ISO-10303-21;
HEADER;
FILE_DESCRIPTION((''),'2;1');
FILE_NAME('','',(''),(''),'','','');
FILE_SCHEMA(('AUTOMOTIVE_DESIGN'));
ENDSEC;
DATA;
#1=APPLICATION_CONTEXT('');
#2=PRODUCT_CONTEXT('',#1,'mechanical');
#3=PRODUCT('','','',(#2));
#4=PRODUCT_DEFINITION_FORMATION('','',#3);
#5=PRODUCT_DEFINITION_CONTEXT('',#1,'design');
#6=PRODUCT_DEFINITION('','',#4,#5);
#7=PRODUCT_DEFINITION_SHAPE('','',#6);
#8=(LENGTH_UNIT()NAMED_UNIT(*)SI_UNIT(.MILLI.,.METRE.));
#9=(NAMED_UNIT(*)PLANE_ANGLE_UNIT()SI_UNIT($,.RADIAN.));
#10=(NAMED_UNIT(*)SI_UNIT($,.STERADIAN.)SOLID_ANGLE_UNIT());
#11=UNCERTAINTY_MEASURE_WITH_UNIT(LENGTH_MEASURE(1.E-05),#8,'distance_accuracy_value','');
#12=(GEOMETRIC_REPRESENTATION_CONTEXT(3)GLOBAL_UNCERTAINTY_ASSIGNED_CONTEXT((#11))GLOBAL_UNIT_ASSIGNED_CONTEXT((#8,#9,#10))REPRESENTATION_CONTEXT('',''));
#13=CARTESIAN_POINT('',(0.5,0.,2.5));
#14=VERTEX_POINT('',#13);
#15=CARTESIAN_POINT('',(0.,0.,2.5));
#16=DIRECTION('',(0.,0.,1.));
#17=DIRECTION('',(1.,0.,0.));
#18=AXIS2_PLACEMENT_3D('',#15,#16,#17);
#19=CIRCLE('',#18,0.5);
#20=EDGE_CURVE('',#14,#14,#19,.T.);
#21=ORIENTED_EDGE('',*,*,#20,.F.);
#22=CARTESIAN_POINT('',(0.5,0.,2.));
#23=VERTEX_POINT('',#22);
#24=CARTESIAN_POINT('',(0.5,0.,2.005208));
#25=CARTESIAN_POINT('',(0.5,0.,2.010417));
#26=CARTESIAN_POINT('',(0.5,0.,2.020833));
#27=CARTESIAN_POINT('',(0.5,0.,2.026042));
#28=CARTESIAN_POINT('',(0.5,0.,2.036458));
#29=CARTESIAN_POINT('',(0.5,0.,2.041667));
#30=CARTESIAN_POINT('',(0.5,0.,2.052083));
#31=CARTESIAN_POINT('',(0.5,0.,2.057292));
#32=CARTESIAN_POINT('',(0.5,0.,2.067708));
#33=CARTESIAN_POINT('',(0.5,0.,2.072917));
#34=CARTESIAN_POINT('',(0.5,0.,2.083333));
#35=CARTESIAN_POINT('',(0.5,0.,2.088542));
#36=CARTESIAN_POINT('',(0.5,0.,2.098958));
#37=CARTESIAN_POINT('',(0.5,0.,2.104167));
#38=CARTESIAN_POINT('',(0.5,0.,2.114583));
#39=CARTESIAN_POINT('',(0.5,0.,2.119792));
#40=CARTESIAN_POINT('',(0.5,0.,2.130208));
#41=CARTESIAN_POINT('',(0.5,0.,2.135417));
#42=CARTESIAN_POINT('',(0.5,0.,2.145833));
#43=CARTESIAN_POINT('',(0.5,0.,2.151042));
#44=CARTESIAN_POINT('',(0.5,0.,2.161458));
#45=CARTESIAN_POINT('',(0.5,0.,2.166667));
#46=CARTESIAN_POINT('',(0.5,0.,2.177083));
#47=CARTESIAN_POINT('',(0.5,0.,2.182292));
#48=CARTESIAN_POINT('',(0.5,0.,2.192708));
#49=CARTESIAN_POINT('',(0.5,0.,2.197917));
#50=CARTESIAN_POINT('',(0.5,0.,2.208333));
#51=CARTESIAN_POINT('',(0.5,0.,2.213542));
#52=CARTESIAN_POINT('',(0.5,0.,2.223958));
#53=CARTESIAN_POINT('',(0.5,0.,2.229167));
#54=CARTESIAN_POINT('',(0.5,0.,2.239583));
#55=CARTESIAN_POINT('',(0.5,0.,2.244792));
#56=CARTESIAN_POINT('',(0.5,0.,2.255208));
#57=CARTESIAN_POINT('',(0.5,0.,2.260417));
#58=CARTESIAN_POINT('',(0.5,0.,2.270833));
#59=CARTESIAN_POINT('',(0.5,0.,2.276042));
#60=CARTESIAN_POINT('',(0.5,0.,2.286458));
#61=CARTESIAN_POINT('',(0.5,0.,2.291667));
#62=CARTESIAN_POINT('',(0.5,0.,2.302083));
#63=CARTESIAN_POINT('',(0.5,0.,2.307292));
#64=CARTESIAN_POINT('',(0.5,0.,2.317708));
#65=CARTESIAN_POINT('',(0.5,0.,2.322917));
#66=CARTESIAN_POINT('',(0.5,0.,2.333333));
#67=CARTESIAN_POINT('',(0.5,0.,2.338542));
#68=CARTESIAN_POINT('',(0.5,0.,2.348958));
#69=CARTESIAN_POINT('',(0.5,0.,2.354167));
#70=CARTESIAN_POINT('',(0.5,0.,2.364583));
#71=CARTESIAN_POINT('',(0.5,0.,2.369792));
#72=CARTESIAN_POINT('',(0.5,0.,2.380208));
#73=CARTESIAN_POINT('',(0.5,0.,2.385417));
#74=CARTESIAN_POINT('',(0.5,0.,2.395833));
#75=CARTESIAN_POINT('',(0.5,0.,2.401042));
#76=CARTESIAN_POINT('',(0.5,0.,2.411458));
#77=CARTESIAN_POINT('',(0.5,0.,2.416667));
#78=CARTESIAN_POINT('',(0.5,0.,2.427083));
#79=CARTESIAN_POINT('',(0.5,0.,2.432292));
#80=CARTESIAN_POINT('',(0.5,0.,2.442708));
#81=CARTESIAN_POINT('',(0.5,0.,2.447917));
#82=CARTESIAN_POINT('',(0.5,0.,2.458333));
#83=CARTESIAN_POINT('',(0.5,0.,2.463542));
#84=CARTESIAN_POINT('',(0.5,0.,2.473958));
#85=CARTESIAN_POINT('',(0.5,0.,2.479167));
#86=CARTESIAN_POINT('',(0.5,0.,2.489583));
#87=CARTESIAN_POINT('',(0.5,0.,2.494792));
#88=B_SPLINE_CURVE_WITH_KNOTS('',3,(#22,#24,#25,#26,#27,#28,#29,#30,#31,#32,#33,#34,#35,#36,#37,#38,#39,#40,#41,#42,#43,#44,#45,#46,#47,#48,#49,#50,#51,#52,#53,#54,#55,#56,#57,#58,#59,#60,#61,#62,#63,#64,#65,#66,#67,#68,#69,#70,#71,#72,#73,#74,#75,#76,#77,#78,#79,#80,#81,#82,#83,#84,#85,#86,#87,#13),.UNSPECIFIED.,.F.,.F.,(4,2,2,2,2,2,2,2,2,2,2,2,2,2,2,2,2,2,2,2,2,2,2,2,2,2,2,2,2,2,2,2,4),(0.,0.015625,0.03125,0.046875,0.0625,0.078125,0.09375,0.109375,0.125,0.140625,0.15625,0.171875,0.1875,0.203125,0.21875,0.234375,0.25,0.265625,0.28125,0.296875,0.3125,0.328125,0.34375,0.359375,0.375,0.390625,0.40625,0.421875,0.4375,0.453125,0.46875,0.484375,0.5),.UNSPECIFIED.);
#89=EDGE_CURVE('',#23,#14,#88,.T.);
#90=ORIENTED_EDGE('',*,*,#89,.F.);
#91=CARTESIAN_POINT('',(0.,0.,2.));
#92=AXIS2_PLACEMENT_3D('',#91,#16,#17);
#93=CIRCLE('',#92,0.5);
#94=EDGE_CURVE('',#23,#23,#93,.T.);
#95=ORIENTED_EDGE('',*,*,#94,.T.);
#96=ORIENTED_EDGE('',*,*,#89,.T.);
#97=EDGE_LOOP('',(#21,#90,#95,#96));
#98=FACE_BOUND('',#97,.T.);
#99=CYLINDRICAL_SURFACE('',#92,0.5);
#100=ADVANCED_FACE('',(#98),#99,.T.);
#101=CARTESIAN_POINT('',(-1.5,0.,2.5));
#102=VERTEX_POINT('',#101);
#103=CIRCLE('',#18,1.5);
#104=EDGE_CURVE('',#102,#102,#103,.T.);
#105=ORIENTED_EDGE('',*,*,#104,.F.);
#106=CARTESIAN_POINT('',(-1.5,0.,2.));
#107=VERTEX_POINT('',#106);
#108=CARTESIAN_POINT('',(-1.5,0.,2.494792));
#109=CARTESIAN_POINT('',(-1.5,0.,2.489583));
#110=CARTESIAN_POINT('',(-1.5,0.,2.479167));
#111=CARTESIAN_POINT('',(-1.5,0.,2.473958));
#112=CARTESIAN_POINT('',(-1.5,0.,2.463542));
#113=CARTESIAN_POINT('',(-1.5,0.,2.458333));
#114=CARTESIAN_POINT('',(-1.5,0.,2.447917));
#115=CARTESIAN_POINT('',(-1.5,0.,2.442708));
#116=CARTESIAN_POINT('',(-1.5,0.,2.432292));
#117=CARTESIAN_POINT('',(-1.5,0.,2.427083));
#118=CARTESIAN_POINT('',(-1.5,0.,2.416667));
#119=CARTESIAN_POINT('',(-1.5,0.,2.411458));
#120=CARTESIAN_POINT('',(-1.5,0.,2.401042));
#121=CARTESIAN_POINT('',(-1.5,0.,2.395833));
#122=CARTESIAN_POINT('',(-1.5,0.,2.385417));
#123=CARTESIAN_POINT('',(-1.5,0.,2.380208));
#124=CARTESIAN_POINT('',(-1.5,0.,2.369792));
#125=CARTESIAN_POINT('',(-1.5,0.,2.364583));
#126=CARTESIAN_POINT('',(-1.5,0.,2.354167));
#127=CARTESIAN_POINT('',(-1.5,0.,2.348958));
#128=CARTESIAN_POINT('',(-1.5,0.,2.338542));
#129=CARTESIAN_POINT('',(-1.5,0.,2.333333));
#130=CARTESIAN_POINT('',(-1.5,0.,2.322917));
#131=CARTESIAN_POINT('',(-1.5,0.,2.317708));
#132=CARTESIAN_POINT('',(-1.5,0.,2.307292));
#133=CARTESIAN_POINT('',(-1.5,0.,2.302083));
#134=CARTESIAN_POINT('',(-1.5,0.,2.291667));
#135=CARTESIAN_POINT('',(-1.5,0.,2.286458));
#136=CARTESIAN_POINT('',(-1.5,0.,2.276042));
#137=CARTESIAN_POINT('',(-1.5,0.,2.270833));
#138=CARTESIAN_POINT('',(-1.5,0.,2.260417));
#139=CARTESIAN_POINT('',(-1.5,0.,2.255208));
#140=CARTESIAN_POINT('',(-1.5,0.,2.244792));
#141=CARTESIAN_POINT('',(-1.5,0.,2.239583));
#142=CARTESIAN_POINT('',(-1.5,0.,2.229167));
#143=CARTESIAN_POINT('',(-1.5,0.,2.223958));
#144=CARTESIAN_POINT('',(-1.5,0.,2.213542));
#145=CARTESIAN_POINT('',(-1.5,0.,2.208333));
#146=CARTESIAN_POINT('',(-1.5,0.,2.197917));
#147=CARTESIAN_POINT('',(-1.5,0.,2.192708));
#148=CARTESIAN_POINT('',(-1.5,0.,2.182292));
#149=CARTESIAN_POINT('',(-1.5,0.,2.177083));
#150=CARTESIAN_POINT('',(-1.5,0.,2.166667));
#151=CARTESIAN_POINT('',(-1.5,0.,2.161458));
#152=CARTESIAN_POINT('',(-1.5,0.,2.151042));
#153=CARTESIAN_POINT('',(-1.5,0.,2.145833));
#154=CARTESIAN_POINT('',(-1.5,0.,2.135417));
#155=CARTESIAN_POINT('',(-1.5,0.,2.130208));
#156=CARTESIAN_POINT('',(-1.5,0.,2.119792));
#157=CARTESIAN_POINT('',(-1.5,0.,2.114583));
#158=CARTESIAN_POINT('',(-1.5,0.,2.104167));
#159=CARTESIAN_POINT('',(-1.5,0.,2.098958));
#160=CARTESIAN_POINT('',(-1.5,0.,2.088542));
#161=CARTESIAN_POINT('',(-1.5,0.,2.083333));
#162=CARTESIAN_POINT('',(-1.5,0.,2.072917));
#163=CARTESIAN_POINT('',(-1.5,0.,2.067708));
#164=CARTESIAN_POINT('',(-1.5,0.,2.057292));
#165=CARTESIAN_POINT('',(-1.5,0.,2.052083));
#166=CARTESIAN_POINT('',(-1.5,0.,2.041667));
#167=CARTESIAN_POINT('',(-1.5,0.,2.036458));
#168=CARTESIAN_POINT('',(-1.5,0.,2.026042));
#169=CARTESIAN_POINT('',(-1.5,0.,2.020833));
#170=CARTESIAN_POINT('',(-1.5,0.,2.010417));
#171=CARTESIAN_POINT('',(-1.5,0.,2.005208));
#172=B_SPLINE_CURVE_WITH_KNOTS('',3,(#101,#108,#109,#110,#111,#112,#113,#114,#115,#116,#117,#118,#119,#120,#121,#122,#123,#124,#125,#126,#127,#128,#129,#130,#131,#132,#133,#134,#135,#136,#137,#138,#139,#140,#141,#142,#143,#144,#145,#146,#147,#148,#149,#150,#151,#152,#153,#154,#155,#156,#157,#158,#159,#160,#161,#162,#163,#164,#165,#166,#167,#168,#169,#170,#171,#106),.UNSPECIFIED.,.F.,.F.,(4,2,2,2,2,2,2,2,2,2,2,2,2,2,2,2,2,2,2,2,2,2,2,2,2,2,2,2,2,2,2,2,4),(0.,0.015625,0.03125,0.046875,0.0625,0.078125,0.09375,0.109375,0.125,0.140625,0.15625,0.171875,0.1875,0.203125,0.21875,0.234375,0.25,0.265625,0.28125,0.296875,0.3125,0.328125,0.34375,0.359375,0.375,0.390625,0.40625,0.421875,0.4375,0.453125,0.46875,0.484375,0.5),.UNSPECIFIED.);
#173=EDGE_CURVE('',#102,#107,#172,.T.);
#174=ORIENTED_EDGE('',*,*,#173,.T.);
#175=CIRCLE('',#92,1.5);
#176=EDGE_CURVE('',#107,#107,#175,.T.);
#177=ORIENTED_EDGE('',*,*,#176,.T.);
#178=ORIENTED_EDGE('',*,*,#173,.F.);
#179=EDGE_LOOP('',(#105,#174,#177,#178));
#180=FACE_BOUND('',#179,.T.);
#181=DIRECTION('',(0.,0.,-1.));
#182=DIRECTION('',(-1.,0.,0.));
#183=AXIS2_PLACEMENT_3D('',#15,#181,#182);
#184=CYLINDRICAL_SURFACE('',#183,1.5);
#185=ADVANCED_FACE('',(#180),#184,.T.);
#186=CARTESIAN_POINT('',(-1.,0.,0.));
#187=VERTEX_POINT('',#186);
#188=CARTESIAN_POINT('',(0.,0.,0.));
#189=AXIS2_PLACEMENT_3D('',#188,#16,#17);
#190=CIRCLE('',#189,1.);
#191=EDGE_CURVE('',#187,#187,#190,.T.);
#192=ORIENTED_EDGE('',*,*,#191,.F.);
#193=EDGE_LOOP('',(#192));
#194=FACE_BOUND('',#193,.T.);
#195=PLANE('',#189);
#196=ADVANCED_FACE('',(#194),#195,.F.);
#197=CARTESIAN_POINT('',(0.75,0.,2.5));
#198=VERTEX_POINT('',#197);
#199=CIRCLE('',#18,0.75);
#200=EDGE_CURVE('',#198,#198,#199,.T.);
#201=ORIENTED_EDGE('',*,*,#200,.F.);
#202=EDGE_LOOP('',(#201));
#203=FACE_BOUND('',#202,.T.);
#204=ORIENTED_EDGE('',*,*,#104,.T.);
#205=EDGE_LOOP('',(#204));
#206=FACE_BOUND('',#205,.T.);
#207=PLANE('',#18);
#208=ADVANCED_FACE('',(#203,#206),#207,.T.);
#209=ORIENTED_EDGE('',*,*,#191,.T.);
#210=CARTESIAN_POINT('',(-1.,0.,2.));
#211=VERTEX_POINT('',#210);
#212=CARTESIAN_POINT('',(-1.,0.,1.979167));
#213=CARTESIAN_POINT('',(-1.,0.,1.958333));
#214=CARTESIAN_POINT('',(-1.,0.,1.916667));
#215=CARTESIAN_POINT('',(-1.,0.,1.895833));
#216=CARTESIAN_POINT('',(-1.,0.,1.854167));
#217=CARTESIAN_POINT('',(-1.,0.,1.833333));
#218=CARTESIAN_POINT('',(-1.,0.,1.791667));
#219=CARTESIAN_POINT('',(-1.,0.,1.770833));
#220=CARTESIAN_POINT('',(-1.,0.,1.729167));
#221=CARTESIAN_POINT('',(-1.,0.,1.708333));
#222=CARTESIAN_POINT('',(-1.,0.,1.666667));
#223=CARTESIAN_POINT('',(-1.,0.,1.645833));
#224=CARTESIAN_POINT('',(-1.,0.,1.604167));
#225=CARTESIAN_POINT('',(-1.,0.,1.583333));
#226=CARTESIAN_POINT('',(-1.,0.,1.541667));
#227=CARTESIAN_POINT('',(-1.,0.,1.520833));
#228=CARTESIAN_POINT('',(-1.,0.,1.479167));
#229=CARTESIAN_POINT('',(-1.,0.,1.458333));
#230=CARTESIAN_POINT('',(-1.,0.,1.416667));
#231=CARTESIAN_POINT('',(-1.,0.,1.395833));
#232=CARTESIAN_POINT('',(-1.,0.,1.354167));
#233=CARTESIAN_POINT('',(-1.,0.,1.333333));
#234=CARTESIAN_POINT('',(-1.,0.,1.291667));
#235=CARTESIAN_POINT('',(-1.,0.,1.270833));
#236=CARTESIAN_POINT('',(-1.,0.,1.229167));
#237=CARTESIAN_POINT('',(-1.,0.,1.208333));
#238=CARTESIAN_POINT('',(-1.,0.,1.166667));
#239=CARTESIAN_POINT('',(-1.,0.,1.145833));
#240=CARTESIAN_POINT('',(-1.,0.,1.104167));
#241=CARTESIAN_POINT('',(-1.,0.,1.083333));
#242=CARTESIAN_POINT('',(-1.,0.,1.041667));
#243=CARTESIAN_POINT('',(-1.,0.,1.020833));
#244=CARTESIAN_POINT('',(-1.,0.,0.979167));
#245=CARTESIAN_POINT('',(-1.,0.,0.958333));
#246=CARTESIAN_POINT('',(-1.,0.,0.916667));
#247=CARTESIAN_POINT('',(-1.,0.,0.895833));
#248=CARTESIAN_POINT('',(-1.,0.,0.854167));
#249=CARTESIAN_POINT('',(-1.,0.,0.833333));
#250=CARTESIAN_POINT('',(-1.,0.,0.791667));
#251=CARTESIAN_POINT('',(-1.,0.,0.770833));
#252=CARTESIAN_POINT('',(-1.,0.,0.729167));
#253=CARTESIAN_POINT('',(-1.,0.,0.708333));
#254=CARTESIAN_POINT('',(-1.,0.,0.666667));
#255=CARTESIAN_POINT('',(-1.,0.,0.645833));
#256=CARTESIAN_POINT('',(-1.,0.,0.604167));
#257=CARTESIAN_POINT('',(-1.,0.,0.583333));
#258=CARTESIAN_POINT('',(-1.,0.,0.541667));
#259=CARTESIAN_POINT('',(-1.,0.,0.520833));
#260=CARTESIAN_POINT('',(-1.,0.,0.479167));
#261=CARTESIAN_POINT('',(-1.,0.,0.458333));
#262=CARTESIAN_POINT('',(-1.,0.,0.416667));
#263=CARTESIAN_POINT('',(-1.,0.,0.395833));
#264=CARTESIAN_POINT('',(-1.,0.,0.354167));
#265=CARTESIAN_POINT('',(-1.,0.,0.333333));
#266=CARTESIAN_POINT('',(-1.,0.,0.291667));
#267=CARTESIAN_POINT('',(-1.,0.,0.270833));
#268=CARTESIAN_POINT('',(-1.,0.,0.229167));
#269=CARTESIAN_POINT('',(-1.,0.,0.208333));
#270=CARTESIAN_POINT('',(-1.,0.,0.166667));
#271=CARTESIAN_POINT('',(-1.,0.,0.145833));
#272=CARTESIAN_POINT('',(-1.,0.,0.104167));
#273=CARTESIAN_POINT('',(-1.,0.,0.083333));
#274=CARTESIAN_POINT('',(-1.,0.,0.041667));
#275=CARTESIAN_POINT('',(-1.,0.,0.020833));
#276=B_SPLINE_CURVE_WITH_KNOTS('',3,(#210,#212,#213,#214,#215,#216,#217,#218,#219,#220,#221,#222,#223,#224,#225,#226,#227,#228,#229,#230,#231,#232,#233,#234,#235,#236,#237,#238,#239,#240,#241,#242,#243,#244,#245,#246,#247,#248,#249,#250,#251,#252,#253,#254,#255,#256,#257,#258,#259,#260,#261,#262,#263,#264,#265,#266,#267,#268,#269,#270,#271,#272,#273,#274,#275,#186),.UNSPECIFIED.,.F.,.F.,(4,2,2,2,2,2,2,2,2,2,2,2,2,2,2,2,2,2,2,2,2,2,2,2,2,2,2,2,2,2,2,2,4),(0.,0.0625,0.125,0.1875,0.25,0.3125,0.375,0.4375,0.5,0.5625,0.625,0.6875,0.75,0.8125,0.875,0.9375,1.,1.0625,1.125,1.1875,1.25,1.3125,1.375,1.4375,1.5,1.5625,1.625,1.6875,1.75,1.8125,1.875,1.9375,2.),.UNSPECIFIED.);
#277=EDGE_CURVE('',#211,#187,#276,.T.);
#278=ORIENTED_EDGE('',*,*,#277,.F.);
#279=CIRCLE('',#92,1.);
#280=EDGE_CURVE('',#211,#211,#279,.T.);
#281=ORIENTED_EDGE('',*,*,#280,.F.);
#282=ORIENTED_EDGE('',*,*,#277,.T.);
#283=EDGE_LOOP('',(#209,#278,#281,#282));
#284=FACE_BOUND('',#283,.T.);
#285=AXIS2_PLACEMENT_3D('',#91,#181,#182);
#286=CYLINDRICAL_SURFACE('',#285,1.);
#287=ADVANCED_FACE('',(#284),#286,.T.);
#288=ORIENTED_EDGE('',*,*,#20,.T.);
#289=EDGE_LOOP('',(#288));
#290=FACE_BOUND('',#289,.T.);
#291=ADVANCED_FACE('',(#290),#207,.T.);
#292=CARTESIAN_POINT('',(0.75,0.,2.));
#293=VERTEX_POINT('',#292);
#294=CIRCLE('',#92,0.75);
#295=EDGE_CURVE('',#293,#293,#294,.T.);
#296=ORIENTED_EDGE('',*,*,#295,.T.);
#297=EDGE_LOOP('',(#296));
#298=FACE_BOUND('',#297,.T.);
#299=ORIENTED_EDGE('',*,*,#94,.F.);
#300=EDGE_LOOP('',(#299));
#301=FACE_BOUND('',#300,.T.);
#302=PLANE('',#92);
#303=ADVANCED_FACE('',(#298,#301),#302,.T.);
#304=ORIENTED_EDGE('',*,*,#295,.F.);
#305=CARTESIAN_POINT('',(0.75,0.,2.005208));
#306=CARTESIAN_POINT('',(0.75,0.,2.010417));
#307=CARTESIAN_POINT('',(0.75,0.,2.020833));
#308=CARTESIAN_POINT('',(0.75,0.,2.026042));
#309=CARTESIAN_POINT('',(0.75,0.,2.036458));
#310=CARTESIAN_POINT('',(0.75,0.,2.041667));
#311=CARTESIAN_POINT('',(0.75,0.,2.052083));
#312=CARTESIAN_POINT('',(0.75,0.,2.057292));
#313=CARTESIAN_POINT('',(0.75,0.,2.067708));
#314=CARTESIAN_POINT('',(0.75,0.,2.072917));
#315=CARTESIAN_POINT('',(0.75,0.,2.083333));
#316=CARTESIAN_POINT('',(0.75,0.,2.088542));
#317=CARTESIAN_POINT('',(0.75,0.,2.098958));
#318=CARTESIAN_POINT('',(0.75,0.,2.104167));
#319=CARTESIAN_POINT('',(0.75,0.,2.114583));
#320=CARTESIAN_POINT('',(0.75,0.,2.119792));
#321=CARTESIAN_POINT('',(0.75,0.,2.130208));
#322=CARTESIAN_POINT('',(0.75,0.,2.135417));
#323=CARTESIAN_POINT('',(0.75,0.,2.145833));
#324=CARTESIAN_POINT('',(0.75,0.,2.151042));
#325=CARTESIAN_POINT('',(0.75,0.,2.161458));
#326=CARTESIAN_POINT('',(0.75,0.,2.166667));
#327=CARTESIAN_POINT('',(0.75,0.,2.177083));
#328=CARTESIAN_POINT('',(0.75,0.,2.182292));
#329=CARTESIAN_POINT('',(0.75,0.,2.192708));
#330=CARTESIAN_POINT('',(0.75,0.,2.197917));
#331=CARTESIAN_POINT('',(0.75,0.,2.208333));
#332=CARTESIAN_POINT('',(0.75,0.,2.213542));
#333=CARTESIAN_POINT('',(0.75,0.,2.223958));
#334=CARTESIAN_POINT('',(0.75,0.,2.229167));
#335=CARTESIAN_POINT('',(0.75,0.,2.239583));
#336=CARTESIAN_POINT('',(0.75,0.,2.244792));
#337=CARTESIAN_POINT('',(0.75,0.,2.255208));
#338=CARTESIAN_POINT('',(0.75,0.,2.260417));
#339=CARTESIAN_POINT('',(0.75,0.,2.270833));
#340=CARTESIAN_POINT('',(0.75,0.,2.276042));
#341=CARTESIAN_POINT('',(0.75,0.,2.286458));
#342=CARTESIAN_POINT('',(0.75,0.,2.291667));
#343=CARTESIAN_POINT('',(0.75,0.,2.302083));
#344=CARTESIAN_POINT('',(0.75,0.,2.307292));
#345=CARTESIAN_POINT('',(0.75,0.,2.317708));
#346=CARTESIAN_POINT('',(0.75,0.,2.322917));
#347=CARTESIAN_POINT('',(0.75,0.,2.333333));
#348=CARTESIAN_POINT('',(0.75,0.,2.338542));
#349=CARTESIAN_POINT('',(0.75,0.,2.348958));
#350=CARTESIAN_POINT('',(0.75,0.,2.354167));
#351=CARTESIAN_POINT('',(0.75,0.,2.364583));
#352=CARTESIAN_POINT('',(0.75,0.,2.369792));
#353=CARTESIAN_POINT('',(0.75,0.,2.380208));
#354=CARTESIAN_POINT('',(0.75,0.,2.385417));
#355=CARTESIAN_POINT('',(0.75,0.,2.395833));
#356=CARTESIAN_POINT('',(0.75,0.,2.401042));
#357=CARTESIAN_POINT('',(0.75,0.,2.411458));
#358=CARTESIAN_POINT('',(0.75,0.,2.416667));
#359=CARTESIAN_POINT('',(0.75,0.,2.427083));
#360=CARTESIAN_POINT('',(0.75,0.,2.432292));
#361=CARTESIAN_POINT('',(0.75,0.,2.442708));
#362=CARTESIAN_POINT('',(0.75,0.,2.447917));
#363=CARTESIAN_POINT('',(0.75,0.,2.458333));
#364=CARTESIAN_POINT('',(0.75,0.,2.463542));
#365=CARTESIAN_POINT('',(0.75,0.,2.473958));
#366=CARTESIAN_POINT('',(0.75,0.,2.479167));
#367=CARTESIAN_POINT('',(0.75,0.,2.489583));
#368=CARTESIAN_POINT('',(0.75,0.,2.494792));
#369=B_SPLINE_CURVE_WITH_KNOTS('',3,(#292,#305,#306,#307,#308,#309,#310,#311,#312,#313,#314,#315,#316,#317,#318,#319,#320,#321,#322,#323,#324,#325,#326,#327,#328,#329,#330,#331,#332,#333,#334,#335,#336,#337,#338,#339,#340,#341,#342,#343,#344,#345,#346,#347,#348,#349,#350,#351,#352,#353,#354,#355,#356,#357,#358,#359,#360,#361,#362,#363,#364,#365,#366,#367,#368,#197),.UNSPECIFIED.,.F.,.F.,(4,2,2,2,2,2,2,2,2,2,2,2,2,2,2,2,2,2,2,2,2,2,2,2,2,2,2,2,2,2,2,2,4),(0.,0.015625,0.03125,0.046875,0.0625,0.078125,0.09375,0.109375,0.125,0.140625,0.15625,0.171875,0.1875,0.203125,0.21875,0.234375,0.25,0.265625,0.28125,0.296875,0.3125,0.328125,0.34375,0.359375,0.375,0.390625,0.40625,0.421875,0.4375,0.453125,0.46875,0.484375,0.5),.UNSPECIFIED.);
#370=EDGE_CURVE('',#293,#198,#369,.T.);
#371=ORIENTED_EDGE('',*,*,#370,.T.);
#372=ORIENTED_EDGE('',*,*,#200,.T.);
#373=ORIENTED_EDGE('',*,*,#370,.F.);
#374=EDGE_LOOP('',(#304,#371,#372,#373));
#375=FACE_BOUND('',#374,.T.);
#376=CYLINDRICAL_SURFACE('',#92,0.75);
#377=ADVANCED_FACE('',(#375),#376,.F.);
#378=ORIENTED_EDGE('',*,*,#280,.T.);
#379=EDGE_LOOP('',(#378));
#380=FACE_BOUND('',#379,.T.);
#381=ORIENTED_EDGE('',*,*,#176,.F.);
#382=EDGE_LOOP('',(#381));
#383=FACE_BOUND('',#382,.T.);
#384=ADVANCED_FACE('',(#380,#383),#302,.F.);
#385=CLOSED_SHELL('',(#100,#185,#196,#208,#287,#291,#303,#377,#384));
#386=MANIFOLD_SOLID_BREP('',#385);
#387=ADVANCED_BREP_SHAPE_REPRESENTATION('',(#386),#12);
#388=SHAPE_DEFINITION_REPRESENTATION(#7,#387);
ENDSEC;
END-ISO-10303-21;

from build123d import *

# Parameters (mm, degrees)
SKETCH1_R           = 1
BOSS_EXTRUDE1_DEPTH = 2
SKETCH2_R           = 1.5
BOSS_EXTRUDE2_DEPTH = 0.5
SKETCH3_R           = 0.75
SKETCH3_R_2         = 0.5
CUT_EXTRUDE1_DEPTH  = 0.5


with BuildPart() as part:
    # Sketch1 → Boss-Extrude1 (new body)
    with BuildSketch(Plane.XY):
        Circle(SKETCH1_R)
    extrude(amount=BOSS_EXTRUDE1_DEPTH)

    # Sketch2 → Boss-Extrude2 (add)
    with BuildSketch(Plane.XY.offset(2)):
        Circle(SKETCH2_R)
    extrude(amount=BOSS_EXTRUDE2_DEPTH)

    # Sketch3 → Cut-Extrude1 (cut)
    with BuildSketch(Plane.XY.offset(2.5)):
        Circle(SKETCH3_R)
        Circle(SKETCH3_R_2, mode=Mode.SUBTRACT)
    extrude(amount=-CUT_EXTRUDE1_DEPTH, mode=Mode.SUBTRACT)


solid = part.part
